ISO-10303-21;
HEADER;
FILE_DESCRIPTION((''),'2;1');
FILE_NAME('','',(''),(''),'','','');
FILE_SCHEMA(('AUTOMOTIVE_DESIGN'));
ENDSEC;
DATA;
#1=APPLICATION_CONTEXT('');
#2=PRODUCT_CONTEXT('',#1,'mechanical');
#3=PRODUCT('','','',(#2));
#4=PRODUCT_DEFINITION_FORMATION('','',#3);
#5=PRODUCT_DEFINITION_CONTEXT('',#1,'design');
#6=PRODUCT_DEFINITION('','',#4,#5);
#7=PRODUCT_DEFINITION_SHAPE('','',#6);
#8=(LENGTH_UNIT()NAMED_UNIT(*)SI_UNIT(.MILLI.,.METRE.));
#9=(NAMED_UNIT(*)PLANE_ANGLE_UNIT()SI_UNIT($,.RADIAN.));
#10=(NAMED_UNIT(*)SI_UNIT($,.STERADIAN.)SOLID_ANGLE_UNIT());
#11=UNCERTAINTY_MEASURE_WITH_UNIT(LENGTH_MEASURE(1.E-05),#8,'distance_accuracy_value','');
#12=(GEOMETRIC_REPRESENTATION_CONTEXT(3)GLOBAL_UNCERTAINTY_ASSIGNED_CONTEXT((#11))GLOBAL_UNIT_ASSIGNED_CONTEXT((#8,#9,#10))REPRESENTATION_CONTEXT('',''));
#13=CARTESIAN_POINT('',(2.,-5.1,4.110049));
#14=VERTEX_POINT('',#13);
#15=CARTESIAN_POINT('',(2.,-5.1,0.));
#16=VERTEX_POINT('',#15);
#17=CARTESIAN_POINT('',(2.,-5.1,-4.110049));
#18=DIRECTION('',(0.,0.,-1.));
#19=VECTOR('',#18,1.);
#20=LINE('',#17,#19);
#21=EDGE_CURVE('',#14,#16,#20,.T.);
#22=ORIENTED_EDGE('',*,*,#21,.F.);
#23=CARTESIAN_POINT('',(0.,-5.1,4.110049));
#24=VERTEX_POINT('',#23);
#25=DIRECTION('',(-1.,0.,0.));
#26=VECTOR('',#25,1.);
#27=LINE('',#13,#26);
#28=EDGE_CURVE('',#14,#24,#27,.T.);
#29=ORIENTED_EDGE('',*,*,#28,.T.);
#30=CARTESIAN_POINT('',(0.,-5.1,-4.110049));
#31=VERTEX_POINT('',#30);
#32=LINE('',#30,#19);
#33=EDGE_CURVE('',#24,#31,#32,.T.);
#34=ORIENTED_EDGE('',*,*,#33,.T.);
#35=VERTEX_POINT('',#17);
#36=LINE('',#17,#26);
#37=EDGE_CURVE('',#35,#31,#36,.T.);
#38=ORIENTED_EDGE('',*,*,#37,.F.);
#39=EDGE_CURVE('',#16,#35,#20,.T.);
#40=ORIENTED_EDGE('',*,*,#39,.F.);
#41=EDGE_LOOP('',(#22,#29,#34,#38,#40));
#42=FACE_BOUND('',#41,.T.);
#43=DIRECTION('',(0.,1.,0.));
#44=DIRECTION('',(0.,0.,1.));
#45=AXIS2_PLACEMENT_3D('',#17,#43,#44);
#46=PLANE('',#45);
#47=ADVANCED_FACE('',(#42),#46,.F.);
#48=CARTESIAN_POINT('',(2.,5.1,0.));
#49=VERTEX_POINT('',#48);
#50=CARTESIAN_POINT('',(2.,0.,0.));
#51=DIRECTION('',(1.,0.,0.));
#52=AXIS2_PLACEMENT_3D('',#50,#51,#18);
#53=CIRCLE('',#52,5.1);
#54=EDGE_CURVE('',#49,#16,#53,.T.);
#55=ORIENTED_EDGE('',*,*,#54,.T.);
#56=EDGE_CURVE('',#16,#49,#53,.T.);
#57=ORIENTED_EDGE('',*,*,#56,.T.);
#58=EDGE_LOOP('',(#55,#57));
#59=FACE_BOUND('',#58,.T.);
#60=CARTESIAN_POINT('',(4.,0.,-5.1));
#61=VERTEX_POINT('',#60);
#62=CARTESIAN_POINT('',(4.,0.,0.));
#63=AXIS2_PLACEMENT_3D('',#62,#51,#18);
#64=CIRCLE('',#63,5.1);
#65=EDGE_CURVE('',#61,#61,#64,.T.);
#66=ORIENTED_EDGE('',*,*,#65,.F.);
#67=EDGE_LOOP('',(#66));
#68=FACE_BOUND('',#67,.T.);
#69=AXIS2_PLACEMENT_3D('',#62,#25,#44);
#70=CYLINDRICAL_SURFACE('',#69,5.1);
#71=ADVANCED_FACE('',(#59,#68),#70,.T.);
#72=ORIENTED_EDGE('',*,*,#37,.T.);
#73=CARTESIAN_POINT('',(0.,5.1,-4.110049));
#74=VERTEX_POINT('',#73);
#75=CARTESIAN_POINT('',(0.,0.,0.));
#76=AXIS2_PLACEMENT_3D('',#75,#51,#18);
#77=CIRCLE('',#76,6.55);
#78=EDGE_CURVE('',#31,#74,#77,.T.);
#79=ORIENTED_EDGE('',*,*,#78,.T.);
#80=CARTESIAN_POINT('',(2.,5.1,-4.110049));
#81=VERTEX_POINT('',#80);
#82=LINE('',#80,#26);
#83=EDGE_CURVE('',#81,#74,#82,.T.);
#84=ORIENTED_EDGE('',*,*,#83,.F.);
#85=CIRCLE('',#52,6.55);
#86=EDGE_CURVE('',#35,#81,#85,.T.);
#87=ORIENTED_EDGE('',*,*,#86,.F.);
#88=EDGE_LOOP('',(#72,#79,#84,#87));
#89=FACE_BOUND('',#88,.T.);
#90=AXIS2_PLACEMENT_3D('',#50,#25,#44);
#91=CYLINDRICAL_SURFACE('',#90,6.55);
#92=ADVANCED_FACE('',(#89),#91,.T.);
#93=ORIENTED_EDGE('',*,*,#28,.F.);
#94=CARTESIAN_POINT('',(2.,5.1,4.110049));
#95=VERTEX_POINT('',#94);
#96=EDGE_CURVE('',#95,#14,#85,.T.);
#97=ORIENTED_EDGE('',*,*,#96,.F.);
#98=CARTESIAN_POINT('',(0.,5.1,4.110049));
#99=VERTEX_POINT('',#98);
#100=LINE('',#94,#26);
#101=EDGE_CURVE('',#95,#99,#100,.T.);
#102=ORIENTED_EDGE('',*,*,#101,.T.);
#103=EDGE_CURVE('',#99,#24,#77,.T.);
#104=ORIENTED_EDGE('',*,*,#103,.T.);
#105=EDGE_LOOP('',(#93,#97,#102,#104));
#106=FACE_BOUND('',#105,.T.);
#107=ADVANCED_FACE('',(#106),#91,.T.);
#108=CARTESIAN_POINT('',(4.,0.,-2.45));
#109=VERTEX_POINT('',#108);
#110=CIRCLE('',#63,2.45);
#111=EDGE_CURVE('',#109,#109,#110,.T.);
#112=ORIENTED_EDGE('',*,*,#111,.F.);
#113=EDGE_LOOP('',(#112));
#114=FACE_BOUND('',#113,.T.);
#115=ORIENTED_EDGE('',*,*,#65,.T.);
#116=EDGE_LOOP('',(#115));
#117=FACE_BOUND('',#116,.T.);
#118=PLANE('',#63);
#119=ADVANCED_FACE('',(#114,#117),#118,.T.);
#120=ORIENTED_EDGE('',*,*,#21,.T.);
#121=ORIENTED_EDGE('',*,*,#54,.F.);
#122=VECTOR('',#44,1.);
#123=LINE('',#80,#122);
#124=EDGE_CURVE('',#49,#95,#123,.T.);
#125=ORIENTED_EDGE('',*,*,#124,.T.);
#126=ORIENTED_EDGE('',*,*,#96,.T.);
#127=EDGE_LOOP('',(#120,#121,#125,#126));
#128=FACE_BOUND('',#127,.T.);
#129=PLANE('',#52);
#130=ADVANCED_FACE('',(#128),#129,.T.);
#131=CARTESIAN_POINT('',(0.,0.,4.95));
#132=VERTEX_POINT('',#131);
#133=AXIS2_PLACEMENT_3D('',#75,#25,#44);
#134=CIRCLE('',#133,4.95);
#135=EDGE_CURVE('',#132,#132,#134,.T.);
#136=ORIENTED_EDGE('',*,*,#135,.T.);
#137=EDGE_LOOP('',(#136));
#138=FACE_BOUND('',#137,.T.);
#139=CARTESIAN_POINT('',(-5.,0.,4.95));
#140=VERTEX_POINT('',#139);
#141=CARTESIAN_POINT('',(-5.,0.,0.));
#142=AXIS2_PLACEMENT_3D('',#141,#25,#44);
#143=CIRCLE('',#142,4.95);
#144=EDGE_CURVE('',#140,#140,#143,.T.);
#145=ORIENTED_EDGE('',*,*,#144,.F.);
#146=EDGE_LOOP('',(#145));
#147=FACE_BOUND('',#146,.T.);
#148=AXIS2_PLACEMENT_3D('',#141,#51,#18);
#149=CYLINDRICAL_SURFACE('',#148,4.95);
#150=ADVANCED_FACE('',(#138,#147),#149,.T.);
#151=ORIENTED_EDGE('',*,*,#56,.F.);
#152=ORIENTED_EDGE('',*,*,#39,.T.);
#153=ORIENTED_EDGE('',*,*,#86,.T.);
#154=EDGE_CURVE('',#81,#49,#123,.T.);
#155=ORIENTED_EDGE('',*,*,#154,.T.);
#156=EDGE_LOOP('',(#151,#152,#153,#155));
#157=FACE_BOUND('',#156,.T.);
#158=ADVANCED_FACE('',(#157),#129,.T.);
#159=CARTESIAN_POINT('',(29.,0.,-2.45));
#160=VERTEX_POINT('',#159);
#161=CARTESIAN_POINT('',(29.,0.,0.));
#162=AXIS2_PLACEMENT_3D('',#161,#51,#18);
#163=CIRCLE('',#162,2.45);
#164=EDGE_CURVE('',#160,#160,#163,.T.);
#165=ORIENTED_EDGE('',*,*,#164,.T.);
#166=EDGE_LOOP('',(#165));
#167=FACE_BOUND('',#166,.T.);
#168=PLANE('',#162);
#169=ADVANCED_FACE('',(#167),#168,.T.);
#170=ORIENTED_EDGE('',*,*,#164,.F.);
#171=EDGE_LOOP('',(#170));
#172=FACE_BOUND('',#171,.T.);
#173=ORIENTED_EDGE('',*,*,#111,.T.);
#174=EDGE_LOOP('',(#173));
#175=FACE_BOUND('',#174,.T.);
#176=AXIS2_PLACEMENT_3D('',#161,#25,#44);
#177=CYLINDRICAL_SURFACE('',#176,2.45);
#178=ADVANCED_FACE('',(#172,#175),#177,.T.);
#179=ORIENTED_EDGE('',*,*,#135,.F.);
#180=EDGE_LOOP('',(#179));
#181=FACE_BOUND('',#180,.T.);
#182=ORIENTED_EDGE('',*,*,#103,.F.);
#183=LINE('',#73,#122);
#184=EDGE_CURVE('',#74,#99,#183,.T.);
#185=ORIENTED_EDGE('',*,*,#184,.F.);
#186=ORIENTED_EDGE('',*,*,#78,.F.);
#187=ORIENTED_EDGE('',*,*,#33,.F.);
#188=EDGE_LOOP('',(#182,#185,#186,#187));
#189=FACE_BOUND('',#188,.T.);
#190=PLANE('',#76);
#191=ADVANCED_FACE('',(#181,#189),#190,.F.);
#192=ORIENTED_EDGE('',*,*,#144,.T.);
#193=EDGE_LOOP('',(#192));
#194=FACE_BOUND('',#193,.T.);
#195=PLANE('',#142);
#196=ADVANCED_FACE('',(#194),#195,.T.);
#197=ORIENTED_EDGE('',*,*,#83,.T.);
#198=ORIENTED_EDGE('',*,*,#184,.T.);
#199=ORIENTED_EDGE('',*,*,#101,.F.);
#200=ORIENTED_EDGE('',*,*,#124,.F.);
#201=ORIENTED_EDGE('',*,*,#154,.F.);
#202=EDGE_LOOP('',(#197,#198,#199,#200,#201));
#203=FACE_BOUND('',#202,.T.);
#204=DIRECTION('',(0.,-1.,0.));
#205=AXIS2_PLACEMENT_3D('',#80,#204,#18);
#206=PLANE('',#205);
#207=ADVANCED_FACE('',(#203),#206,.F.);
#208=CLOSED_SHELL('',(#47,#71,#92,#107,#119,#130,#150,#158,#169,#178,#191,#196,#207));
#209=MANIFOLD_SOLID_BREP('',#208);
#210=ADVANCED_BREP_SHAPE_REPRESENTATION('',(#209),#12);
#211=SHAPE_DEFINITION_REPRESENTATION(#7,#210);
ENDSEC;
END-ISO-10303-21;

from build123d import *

# Parameters (mm, degrees)
EXTRUDE_1_DEPTH = 2
SKETCH_3_R      = 5.1
EXTRUDE_2_DEPTH = 2
SKETCH_4_R      = 2.45
EXTRUDE_3_DEPTH = 25
SKETCH_5_R      = 4.95
EXTRUDE_4_DEPTH = 5


with BuildPart() as part:
    # 草图2 → 凸台-拉伸1 (new body)
    with BuildSketch(Plane(origin=(0, 0, 0), x_dir=(0, 0, -1), z_dir=(1, 0, 0))):
        with BuildLine():
            Line((4.110048662, 5.1), (-4.110048662, 5.1))
            ThreePointArc((-4.110048662, 5.1), (-6.55, 0), (-4.110048662, -5.1))
            Line((-4.110048662, -5.1), (4.110048662, -5.1))
            ThreePointArc((4.110048662, -5.1), (6.55, 0), (4.110048662, 5.1))
        make_face()
    extrude(amount=EXTRUDE_1_DEPTH)

    # 草图3 → 凸台-拉伸2 (add)
    with BuildSketch(Plane(origin=(2, 0, 0), x_dir=(0, 0, -1), z_dir=(1, 0, 0))):
        Circle(SKETCH_3_R)
    extrude(amount=EXTRUDE_2_DEPTH)

    # 草图4 → 凸台-拉伸3 (add)
    with BuildSketch(Plane(origin=(4, 0, 0), x_dir=(0, 0, -1), z_dir=(1, 0, 0))):
        Circle(SKETCH_4_R)
    extrude(amount=EXTRUDE_3_DEPTH)

    # 草图5 → 凸台-拉伸4 (add)
    with BuildSketch(Plane.ZY):
        Circle(SKETCH_5_R)
    extrude(amount=EXTRUDE_4_DEPTH)


solid = part.part
